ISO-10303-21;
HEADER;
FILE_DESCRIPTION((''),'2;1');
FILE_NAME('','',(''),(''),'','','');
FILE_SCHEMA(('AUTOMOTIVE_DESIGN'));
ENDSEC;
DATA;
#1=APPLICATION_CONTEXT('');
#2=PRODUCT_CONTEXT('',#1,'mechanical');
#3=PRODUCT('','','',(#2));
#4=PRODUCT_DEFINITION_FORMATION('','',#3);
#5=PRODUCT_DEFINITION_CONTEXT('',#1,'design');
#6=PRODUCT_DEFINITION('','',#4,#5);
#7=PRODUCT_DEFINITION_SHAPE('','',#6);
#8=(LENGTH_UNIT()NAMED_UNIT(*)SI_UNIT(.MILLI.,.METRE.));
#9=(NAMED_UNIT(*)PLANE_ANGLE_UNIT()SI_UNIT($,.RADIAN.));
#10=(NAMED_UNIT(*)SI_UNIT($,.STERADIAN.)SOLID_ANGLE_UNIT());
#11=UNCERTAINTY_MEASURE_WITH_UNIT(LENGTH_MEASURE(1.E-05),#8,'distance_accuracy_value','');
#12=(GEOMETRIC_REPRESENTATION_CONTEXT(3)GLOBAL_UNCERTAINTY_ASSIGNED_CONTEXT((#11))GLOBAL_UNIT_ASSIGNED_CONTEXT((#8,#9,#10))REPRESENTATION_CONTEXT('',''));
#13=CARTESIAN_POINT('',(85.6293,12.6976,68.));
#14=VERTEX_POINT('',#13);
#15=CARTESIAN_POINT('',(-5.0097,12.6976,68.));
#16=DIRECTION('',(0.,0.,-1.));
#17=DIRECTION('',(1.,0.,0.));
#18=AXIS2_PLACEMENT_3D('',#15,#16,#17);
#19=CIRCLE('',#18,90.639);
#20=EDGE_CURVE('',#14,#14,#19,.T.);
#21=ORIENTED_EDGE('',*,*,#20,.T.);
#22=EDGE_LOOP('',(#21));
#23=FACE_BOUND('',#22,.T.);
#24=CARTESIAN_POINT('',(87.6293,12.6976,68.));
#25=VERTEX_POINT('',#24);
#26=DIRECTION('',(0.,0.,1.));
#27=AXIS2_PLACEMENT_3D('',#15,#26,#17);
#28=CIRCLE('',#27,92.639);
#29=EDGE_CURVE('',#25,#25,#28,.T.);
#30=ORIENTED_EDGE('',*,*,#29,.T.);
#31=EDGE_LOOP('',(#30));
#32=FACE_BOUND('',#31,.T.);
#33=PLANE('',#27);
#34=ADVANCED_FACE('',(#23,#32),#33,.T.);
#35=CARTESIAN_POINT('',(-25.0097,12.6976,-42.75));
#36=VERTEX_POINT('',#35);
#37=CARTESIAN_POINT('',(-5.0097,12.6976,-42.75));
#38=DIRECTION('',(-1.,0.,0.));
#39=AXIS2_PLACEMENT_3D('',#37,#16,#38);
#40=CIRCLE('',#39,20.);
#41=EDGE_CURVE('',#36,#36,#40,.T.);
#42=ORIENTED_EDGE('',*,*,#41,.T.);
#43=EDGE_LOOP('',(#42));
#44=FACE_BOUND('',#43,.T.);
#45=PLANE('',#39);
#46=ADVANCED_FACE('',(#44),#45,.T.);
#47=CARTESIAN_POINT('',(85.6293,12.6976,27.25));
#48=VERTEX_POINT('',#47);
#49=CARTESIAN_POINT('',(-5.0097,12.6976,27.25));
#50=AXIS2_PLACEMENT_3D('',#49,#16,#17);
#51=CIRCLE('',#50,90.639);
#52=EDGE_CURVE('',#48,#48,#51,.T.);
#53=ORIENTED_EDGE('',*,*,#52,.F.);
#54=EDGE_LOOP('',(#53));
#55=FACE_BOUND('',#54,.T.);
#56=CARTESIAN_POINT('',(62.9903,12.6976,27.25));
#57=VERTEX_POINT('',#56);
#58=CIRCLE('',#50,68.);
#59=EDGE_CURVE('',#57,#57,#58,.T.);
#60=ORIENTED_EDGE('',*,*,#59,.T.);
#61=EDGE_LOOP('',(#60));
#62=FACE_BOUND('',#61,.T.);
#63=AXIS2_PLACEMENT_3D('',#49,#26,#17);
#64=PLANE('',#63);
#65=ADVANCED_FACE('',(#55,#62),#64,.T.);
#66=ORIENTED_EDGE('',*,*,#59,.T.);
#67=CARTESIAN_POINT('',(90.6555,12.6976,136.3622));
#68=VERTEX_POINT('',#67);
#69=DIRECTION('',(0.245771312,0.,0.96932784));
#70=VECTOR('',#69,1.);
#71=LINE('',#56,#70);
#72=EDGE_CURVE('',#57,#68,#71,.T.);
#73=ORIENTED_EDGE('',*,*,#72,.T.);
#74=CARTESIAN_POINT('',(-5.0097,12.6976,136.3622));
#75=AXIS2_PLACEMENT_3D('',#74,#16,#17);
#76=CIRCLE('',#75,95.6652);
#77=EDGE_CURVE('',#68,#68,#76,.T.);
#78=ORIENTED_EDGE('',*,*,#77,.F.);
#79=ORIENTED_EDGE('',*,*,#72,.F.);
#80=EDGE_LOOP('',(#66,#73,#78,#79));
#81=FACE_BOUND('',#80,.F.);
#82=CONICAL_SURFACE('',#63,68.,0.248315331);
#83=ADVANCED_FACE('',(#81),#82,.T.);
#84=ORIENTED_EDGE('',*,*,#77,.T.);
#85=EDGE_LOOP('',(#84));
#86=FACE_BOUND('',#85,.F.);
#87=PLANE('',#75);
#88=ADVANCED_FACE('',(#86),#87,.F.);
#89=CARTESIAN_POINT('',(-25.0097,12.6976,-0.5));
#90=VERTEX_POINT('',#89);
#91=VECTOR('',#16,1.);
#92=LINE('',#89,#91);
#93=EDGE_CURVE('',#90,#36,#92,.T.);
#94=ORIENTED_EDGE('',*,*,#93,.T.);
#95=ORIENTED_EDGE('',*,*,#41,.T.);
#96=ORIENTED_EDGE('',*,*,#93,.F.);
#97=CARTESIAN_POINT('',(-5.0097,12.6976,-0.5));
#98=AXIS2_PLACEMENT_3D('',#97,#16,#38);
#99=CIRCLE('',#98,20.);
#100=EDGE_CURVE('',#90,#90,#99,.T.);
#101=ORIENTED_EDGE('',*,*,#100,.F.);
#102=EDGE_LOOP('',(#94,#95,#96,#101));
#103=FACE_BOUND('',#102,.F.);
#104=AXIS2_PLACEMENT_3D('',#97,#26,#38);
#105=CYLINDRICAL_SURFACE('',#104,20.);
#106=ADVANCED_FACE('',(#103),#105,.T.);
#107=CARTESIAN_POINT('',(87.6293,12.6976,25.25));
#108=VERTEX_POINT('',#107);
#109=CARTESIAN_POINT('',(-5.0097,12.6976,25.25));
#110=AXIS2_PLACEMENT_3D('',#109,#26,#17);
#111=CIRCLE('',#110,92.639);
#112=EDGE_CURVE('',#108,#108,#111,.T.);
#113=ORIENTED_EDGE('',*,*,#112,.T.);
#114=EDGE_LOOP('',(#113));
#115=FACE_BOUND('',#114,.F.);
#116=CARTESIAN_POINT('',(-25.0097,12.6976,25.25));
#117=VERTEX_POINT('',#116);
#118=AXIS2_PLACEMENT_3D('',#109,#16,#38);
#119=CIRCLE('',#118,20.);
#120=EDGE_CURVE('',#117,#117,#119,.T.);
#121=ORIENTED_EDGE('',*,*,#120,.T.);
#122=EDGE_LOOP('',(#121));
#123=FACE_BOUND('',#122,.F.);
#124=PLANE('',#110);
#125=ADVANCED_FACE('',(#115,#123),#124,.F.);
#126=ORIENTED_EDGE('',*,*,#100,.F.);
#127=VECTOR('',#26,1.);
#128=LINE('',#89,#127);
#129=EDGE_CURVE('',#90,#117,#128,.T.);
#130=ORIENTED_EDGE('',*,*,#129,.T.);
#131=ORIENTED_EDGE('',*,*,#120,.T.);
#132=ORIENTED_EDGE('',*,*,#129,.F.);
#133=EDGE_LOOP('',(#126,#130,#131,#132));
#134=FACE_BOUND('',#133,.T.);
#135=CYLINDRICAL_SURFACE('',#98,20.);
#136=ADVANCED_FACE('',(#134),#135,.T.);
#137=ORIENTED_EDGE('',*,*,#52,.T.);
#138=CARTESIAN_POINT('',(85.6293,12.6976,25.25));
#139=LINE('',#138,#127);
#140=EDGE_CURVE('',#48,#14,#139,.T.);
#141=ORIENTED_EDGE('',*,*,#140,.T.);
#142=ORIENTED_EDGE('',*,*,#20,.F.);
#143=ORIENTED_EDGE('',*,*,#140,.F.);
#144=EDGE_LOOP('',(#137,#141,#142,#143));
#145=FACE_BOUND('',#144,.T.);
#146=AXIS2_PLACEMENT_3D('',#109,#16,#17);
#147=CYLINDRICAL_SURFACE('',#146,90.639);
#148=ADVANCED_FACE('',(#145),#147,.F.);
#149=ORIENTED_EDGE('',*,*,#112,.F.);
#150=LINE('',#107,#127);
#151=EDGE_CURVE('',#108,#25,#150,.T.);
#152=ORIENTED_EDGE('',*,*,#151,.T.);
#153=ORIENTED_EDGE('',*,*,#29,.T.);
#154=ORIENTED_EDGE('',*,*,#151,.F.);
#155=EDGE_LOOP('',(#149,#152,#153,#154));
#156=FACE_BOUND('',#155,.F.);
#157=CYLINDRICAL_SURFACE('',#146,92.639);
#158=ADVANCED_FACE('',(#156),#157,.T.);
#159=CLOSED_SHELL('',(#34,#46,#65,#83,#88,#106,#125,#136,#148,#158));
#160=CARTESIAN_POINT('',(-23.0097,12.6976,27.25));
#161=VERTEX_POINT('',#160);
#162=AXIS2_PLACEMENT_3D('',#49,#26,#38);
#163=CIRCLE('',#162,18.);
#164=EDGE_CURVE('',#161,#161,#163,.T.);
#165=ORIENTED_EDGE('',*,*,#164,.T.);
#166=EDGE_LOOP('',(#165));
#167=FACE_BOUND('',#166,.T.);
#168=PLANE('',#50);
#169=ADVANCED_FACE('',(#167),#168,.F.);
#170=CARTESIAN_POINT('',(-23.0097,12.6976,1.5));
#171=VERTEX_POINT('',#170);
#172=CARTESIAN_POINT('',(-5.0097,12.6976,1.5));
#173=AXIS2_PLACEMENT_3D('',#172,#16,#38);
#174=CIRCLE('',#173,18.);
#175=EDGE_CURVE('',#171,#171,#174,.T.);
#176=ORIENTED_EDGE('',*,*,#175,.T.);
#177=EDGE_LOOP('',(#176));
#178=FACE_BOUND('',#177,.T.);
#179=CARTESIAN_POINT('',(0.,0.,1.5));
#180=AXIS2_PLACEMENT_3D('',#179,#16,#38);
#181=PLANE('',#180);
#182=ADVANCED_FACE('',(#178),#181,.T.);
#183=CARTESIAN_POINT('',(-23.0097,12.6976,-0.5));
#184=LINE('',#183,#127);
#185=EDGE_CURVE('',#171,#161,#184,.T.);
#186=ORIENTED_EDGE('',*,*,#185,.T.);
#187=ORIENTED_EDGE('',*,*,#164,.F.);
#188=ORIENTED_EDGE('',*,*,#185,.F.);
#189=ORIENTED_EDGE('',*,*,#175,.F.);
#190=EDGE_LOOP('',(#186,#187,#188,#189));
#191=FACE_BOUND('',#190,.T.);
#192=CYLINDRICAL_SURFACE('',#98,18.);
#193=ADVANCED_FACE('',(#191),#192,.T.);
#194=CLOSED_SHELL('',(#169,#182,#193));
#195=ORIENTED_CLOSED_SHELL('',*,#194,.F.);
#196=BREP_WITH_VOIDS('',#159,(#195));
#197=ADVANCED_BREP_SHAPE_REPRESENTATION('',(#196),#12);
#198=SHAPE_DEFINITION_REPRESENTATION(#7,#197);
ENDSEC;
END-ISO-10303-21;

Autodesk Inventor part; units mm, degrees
ref_plane "YZ Plane" through (0, 0, 0) normal (1, 0, 0) x (0, 1, 0)
ref_plane "XY Plane" through (0, 0, 0) normal (0, 0, 1) x (1, 0, 0)
ref_plane "Work Plane1" through (0, 0, -0.5) normal (0, 0, -1) x (-1, 0, 0)
sketch "Sketch1" plane through (0, 0, -0.5) normal (0, 0, -1) x (-1, 0, 0)
  line L0 (134.0347, 37.6976) -> (134.0347, -12.3024) projected
  line L1 (134.0347, 37.6976) -> (30.0097, 37.6976) projected
  line L2 (30.0097, 37.6976) -> (30.0097, 128.6976) projected
  line L3 (-19.9903, 128.6976) -> (30.0097, 128.6976) projected
  line L4 (-19.9903, 128.6976) -> (-19.9903, 37.6976) projected
  line L5 (-19.9903, 37.6976) -> (-140.9903, 37.6976) projected
  line L6 (-140.9903, -12.3024) -> (-140.9903, 37.6976) projected
  line L7 (-140.9903, -12.3024) -> (-19.9903, -12.3024) projected
  line L8 (-19.9903, -12.3024) -> (-19.9903, -146.3274) projected
  line L9 (30.0097, -146.3274) -> (-19.9903, -146.3274) projected
  line L10 (30.0097, -146.3274) -> (30.0097, -12.3024) projected
  line L11 (30.0097, -12.3024) -> (134.0347, -12.3024) projected
  line L12 (-19.9903, 37.6976) -> (30.0097, -12.3024) construction
  line L13 (30.0097, 37.6976) -> (-19.9903, -12.3024) construction
  circle A0 centre (5.0097, 12.6976) radius 20
  point P0 (0, 0)
  dimension "d0" = 40
extrude "Extrusion1" add sketch "Sketch1" against normal blind 25.75 contours A0
sketch "Sketch2" plane through (-5.0097, 12.6976, 25.25) normal (0, 0, 1) x (1, 0, 0)
  circle A0 centre (0, 0) radius 92.639
  point P0 (5.0097, -12.6976)
extrude "Extrusion2" add sketch "Sketch2" along normal blind 42.75
shell "Shell1" thickness 2 removed faces 1 at (-24.2409, 34.4376, 68)
ref_plane "Work Plane3" through (-5.0097, 12.6976, -0.5) normal (0, 1, 0) x (-1, 0, 0)
ref_plane "Work Plane2" through (-5.0097, -7.3024, -0.5) normal (0, 1, 0) x (-1, 0, 0)
sketch "Sketch3" plane through (-5.0097, 12.6976, -0.5) normal (0, 1, 0) x (-1, 0, 0)
  line L0 (18, 27.75) -> (-18, 27.75) projected
  line L1 (0, 27.75) -> (-68, 27.75)
  line L2 (90.639, 27.75) -> (-90.639, 27.75) projected
  line L3 (-68, 27.75) -> (-95.6652, 136.8622)
  line L4 (-95.6652, 136.8622) -> (0, 136.8622)
  line L5 (0, 136.8622) -> (0, 27.75)
  point P0 (-5.0097, 0.5)
  dimension "d8" = 95.6652
  dimension "d9" = 68
revolve "Revolution1" add sketch "Sketch3" angle 360 about axis through (-5.0097, 12.6976, 136.3622) along (0, 0, -1)
ref_plane "Work Plane4" through (-298.3836, 2.4745, -42.75) normal (0, 0, -1) x (0, 1, 0)
sketch "Sketch4" plane through (-5.0097, 12.6976, -0.5) normal (0, 0, -1) x (-1, 0, 0)
  circle A0 centre (0, 0) radius 20 projected
  point P0 (-5.0097, -12.6976)
extrude "Extrusion3" add sketch "Sketch4" along normal up to surface (42.25 mm away)
properties part number "BRUSH1"
